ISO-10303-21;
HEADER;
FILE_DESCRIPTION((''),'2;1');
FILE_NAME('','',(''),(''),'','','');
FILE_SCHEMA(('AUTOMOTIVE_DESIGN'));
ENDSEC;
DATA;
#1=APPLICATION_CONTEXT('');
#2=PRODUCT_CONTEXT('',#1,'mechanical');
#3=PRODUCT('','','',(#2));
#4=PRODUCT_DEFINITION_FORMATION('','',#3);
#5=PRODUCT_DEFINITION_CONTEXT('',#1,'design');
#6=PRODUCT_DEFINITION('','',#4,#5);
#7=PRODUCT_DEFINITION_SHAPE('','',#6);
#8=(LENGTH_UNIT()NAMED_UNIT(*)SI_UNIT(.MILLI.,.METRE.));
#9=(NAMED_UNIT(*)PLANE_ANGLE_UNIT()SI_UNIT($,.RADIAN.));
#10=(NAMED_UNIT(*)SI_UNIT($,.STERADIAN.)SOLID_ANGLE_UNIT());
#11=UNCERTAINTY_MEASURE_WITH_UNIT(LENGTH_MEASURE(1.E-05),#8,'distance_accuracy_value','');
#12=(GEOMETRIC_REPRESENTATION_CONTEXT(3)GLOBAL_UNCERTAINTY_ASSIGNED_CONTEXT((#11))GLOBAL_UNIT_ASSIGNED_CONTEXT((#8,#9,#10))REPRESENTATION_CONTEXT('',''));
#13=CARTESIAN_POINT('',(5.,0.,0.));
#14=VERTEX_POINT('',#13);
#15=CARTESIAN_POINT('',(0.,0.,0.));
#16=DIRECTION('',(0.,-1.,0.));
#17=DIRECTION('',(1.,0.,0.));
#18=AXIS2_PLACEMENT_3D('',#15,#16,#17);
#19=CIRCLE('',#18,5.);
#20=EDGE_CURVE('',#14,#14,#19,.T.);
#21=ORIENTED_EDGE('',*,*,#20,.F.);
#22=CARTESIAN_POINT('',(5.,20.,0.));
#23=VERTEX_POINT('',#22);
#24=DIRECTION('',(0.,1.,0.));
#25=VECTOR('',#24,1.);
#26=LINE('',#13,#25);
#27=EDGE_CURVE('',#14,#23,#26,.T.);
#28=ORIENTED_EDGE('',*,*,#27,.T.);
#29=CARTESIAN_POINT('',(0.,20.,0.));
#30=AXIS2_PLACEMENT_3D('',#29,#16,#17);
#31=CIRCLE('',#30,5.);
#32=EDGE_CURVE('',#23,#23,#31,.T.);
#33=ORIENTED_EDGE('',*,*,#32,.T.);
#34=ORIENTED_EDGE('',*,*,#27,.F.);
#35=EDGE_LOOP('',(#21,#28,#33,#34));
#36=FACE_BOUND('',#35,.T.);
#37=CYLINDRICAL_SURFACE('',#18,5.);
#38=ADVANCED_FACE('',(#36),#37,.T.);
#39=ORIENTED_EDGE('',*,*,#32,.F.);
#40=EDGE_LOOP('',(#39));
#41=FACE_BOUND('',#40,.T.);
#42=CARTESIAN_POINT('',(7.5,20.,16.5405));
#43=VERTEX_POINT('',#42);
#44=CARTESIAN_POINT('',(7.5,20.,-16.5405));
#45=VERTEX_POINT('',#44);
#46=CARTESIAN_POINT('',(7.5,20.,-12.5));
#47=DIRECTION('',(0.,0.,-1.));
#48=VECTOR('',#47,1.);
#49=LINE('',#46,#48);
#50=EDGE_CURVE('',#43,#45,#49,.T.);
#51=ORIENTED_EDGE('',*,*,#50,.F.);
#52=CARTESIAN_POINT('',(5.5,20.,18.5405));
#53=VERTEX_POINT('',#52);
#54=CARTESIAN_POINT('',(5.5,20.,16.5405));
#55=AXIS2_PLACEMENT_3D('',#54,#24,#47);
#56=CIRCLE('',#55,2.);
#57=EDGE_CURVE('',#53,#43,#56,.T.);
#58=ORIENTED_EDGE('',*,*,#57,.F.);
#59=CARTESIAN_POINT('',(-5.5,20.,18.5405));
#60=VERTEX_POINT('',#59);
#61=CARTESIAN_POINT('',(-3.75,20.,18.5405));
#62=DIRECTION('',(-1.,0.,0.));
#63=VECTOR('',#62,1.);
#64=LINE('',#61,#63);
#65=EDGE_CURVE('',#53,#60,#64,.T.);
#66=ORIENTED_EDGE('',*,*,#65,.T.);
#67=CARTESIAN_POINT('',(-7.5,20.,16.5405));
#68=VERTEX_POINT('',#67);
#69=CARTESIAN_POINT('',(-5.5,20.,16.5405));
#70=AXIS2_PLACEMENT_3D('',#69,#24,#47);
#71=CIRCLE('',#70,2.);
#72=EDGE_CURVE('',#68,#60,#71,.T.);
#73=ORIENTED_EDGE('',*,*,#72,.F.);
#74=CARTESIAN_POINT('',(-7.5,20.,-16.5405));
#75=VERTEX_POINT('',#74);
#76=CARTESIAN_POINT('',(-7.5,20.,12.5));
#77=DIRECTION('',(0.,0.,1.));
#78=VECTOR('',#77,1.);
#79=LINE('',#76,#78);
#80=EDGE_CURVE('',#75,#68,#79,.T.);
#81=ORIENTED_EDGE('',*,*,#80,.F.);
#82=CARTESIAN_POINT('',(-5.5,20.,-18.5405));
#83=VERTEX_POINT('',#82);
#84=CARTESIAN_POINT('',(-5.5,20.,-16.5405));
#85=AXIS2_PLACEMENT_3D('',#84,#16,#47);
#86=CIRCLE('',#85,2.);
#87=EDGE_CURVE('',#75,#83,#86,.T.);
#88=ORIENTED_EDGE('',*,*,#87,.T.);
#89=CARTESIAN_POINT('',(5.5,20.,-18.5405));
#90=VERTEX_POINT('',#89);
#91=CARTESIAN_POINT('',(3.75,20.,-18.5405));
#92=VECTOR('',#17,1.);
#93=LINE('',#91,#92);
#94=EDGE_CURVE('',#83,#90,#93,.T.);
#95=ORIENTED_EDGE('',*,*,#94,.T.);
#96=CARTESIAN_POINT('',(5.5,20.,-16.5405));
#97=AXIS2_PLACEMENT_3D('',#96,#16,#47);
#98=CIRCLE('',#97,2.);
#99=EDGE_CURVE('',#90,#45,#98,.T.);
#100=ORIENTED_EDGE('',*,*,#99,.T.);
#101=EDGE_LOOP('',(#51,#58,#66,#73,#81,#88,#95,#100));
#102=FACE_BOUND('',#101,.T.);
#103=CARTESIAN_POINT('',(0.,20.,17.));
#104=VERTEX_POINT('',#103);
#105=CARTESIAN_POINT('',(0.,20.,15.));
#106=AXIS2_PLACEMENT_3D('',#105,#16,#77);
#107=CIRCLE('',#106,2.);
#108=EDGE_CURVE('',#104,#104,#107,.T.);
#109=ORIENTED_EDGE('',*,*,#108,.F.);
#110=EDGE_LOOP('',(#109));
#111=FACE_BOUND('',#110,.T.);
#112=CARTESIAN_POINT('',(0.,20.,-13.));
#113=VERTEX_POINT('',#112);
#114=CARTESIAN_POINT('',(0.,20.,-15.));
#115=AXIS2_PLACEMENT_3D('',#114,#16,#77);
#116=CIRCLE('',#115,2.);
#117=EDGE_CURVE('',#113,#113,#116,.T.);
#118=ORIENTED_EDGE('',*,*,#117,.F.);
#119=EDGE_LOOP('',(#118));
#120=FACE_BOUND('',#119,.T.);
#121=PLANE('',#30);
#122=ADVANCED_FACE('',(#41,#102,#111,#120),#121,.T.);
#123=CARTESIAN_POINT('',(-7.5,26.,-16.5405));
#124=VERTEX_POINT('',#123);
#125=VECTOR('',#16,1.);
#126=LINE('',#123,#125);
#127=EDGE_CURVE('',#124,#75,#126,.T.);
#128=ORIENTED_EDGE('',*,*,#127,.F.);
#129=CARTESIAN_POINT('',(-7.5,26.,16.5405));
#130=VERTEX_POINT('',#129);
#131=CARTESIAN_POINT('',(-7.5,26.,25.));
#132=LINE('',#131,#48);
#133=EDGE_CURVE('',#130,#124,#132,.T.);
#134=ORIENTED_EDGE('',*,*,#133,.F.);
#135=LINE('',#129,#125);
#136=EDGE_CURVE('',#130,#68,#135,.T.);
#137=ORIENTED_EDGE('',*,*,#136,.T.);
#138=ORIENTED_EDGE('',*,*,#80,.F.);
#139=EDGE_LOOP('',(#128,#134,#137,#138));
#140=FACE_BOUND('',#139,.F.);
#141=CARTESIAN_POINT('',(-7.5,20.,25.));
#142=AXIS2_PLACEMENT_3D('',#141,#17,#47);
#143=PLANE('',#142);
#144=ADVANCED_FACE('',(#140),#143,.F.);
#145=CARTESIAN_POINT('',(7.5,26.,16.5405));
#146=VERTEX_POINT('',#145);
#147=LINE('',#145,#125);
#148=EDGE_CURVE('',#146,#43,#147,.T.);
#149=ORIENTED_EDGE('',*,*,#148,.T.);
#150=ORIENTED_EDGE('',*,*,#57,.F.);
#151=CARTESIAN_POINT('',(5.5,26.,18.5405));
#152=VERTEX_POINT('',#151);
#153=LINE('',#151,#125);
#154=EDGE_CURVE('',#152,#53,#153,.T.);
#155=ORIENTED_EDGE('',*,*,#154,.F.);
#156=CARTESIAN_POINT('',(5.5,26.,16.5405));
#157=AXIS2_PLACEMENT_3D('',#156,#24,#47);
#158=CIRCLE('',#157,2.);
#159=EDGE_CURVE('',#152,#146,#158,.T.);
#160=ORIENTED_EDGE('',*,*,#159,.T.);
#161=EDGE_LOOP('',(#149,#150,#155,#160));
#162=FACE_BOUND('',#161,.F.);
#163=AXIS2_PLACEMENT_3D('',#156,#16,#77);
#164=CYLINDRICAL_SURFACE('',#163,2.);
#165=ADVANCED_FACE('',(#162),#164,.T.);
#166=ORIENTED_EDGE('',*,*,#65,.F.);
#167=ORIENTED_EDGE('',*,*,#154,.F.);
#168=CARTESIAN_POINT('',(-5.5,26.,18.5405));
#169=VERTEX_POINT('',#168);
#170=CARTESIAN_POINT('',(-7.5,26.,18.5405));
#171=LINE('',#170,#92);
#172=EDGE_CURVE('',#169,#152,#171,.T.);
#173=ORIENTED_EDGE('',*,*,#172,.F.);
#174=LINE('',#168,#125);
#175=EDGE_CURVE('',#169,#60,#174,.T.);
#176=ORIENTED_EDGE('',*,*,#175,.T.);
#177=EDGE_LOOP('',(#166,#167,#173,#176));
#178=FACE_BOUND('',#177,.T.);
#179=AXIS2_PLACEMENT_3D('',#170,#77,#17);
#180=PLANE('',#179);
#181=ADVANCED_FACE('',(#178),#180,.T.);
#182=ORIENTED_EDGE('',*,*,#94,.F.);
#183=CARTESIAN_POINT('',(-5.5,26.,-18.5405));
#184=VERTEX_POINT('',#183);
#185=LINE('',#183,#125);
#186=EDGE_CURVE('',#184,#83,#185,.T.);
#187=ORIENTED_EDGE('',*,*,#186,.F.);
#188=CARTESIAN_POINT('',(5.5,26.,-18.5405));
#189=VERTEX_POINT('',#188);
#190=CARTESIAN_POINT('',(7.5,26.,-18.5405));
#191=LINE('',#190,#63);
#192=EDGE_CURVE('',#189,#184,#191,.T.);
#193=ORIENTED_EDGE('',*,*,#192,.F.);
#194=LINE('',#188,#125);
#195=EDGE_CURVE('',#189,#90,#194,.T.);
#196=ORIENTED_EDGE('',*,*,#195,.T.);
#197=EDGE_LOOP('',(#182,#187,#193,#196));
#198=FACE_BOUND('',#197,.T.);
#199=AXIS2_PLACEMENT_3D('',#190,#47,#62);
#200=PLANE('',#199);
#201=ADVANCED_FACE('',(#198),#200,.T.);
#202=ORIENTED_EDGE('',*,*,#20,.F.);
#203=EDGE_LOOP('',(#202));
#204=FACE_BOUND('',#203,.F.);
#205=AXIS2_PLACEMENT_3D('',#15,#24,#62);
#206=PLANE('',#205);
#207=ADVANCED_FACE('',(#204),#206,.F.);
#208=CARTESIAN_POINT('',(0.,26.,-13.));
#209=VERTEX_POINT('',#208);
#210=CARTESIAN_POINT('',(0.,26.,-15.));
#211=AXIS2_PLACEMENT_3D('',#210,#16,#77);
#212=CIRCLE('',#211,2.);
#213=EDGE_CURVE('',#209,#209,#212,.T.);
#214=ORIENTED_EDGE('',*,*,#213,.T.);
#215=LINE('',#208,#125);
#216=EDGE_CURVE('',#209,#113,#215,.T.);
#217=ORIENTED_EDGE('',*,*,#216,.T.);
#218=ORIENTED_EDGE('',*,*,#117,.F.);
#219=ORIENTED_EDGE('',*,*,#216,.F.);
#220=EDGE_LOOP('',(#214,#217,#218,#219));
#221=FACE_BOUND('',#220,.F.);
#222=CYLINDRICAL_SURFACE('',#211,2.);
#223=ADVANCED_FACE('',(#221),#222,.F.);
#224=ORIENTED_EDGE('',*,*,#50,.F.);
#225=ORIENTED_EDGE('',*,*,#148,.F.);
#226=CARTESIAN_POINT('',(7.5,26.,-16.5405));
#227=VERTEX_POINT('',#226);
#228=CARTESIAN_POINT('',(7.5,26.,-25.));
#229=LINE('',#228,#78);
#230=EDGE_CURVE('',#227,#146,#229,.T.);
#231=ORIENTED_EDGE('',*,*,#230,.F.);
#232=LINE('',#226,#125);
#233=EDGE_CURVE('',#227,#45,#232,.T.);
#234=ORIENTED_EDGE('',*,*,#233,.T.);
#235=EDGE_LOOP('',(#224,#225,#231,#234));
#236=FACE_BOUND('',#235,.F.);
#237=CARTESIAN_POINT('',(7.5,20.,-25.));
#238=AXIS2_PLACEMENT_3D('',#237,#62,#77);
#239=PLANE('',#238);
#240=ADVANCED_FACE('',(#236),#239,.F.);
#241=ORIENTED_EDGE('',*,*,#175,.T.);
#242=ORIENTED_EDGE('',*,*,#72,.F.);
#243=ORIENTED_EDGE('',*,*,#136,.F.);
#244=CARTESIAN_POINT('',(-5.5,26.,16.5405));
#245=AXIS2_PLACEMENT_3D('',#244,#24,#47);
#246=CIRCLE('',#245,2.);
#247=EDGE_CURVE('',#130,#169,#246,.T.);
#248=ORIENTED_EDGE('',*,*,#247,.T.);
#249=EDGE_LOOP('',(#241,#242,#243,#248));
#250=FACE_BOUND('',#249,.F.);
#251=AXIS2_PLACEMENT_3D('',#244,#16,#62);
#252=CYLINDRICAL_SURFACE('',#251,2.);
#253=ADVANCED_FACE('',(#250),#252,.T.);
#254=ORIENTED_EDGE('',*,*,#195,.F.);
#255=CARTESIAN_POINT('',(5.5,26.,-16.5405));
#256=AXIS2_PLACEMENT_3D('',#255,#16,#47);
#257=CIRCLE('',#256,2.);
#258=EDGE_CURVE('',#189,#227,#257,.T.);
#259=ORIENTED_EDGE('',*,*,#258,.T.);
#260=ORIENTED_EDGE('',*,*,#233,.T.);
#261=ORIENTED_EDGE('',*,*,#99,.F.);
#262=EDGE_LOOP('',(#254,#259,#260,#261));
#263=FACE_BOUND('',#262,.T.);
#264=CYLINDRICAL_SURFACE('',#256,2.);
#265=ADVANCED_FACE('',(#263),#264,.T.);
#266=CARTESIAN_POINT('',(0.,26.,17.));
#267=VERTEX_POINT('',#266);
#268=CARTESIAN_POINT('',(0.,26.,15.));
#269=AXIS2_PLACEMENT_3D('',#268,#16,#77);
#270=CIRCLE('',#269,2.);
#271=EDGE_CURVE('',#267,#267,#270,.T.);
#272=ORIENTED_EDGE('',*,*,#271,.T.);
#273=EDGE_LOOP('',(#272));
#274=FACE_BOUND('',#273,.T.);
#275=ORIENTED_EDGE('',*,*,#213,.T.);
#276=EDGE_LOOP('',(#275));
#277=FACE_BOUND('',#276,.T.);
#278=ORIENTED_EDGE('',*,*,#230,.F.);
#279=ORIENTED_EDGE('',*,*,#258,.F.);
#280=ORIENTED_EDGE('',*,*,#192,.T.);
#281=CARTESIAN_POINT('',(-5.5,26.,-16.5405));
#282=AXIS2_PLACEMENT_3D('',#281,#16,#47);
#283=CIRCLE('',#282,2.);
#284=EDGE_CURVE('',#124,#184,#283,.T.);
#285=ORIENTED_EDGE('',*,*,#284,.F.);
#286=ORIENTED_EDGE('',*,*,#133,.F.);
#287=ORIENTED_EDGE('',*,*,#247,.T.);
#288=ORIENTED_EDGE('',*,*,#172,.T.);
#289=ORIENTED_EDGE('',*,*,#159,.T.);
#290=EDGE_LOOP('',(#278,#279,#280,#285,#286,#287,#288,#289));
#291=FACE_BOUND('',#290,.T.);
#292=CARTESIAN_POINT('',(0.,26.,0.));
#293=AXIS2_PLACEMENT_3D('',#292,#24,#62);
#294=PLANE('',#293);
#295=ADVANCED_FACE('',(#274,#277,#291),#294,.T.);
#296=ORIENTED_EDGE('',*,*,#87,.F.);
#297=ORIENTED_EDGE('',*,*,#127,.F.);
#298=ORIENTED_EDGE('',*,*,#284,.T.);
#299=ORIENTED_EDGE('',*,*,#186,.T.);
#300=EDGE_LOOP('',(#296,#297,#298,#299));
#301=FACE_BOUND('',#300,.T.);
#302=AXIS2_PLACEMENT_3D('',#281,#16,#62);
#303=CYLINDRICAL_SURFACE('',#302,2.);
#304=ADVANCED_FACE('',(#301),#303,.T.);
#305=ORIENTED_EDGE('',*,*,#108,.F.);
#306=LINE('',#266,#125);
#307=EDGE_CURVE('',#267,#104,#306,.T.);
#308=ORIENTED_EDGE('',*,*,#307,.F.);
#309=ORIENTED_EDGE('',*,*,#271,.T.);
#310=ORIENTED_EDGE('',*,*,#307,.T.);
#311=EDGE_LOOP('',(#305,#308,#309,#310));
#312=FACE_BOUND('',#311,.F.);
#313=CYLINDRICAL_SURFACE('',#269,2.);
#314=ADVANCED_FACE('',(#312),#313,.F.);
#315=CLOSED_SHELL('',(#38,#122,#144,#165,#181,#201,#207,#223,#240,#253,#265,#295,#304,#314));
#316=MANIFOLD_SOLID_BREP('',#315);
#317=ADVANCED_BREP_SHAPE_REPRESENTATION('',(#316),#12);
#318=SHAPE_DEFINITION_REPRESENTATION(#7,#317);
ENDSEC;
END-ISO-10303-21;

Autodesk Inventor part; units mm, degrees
ref_plane "YZ Plane" through (0, 0, 0) normal (1, 0, 0) x (0, 1, 0)
ref_plane "XZ Plane" through (0, 0, 0) normal (0, 1, 0) x (-1, 0, 0)
ref_plane "XY Plane" through (0, 0, 0) normal (0, 0, 1) x (1, 0, 0)
sketch "Skizze1" plane through (0, 0, 0) normal (0, 1, 0) x (-1, 0, 0)
  circle A0 centre (0, 0) radius 20
  dimension "d0" = 40
extrude "Extrusion1" add sketch "Skizze1" along normal blind 26
ref_plane "Arbeitsebene1" through (0, 26, 0) normal (0, 1, 0) x (1, 0, 0)
sketch "Skizze2" plane through (0, 26, 0) normal (0, 1, 0) x (1, 0, 0)
  circle A0 centre (0, 0) radius 20 projected
  circle A1 centre (0, 0) radius 20 construction
  circle A2 centre (0, 0) radius 20 construction
  line L0 (0, 0) -> (0, 15) construction
  line L1 (0, 0) -> (0, -15) construction
  dimension "d4" = 15
  dimension "d5" = 15
hole "Bohrung1" at (0, 26, 15) at (0, 26, -15) direction (0, -1, 0) diameter 4 end through all
ref_plane "Arbeitsebene2" through (0, 0, 0) normal (0, -1, 0) x (1, 0, 0)
sketch "Skizze4" plane through (0, 0, 0) normal (0, -1, 0) x (1, 0, 0)
  point P0 (0, 0)
sketch "Skizze5" plane through (0, 0, 0) normal (0, -1, 0) x (1, 0, 0)
  line L0 (0, 0) -> (0, 20) construction
  circle A0 centre (0, 0) radius 20 construction
ref_plane "Arbeitsebene3" through (0, 0, 20) normal (0, 0, 1) x (1, 0, 0)
sketch "Skizze7" plane through (0, 0, 0) normal (0, -1, 0) x (1, 0, 0)
  circle A0 centre (0, 0) radius 5
  circle A1 centre (0, 0) radius 20
  dimension "d38" = 10
  dimension "d39" = 40
extrude "Extrusion2" cut sketch "Skizze7" against normal blind 20
sketch "Skizze8" plane through (0, 20, 0) normal (0, -1, 0) x (1, 0, 0)
  line L0 (-7.5, -25) -> (7.5, -25)
  line L1 (7.5, -25) -> (7.5, 25)
  line L2 (7.5, 25) -> (-7.5, 25)
  line L3 (-7.5, 25) -> (-7.5, -25)
  line L4 (-7.5, -25) -> (7.5, 25) construction
  line L5 (7.5, -25) -> (-7.5, 25) construction
  point P0 (0, 0)
  dimension "d42" = 15
  dimension "d43" = 50
extrude "Extrusion3" cut sketch "Skizze8" along normal through all both and the other way through all keep common part
sketch "Skizze9" plane through (0, 26, 0) normal (0, 1, 0) x (1, 0, 0)
  arc A0 (-7.5, -18.5405) -> (7.5, -18.5405) centre (0, 0) ccw projected
  line L0 (7.5, 18.5405) -> (-7.5, 18.5405)
  line L1 (-7.5, 18.5405) -> (-7.5, -18.5405)
  line L2 (-7.5, -18.5405) -> (7.5, -18.5405)
  line L3 (7.5, -18.5405) -> (7.5, 18.5405)
  line L4 (7.5, 18.5405) -> (-7.5, -18.5405) construction
  line L5 (-7.5, 18.5405) -> (7.5, -18.5405) construction
extrude "Extrusion4" cut sketch "Skizze9" against normal through all contours L1 L0 L3 L2 keep common part
fillet "Rundung1" radius 2 4 edges at (-7.5, 23, 18.5405) (-7.5, 23, -18.5405) (7.5, 23, 18.5405) (7.5, 23, -18.5405)
thread "Gewinde5" size "M4x0.7" class "6H" standard "ANSI Metric M Profile" full length
thread "Gewinde6" size "M4x0.7" class "6H" standard "ANSI Metric M Profile" full length
properties part number "spannring_achse_lager"
